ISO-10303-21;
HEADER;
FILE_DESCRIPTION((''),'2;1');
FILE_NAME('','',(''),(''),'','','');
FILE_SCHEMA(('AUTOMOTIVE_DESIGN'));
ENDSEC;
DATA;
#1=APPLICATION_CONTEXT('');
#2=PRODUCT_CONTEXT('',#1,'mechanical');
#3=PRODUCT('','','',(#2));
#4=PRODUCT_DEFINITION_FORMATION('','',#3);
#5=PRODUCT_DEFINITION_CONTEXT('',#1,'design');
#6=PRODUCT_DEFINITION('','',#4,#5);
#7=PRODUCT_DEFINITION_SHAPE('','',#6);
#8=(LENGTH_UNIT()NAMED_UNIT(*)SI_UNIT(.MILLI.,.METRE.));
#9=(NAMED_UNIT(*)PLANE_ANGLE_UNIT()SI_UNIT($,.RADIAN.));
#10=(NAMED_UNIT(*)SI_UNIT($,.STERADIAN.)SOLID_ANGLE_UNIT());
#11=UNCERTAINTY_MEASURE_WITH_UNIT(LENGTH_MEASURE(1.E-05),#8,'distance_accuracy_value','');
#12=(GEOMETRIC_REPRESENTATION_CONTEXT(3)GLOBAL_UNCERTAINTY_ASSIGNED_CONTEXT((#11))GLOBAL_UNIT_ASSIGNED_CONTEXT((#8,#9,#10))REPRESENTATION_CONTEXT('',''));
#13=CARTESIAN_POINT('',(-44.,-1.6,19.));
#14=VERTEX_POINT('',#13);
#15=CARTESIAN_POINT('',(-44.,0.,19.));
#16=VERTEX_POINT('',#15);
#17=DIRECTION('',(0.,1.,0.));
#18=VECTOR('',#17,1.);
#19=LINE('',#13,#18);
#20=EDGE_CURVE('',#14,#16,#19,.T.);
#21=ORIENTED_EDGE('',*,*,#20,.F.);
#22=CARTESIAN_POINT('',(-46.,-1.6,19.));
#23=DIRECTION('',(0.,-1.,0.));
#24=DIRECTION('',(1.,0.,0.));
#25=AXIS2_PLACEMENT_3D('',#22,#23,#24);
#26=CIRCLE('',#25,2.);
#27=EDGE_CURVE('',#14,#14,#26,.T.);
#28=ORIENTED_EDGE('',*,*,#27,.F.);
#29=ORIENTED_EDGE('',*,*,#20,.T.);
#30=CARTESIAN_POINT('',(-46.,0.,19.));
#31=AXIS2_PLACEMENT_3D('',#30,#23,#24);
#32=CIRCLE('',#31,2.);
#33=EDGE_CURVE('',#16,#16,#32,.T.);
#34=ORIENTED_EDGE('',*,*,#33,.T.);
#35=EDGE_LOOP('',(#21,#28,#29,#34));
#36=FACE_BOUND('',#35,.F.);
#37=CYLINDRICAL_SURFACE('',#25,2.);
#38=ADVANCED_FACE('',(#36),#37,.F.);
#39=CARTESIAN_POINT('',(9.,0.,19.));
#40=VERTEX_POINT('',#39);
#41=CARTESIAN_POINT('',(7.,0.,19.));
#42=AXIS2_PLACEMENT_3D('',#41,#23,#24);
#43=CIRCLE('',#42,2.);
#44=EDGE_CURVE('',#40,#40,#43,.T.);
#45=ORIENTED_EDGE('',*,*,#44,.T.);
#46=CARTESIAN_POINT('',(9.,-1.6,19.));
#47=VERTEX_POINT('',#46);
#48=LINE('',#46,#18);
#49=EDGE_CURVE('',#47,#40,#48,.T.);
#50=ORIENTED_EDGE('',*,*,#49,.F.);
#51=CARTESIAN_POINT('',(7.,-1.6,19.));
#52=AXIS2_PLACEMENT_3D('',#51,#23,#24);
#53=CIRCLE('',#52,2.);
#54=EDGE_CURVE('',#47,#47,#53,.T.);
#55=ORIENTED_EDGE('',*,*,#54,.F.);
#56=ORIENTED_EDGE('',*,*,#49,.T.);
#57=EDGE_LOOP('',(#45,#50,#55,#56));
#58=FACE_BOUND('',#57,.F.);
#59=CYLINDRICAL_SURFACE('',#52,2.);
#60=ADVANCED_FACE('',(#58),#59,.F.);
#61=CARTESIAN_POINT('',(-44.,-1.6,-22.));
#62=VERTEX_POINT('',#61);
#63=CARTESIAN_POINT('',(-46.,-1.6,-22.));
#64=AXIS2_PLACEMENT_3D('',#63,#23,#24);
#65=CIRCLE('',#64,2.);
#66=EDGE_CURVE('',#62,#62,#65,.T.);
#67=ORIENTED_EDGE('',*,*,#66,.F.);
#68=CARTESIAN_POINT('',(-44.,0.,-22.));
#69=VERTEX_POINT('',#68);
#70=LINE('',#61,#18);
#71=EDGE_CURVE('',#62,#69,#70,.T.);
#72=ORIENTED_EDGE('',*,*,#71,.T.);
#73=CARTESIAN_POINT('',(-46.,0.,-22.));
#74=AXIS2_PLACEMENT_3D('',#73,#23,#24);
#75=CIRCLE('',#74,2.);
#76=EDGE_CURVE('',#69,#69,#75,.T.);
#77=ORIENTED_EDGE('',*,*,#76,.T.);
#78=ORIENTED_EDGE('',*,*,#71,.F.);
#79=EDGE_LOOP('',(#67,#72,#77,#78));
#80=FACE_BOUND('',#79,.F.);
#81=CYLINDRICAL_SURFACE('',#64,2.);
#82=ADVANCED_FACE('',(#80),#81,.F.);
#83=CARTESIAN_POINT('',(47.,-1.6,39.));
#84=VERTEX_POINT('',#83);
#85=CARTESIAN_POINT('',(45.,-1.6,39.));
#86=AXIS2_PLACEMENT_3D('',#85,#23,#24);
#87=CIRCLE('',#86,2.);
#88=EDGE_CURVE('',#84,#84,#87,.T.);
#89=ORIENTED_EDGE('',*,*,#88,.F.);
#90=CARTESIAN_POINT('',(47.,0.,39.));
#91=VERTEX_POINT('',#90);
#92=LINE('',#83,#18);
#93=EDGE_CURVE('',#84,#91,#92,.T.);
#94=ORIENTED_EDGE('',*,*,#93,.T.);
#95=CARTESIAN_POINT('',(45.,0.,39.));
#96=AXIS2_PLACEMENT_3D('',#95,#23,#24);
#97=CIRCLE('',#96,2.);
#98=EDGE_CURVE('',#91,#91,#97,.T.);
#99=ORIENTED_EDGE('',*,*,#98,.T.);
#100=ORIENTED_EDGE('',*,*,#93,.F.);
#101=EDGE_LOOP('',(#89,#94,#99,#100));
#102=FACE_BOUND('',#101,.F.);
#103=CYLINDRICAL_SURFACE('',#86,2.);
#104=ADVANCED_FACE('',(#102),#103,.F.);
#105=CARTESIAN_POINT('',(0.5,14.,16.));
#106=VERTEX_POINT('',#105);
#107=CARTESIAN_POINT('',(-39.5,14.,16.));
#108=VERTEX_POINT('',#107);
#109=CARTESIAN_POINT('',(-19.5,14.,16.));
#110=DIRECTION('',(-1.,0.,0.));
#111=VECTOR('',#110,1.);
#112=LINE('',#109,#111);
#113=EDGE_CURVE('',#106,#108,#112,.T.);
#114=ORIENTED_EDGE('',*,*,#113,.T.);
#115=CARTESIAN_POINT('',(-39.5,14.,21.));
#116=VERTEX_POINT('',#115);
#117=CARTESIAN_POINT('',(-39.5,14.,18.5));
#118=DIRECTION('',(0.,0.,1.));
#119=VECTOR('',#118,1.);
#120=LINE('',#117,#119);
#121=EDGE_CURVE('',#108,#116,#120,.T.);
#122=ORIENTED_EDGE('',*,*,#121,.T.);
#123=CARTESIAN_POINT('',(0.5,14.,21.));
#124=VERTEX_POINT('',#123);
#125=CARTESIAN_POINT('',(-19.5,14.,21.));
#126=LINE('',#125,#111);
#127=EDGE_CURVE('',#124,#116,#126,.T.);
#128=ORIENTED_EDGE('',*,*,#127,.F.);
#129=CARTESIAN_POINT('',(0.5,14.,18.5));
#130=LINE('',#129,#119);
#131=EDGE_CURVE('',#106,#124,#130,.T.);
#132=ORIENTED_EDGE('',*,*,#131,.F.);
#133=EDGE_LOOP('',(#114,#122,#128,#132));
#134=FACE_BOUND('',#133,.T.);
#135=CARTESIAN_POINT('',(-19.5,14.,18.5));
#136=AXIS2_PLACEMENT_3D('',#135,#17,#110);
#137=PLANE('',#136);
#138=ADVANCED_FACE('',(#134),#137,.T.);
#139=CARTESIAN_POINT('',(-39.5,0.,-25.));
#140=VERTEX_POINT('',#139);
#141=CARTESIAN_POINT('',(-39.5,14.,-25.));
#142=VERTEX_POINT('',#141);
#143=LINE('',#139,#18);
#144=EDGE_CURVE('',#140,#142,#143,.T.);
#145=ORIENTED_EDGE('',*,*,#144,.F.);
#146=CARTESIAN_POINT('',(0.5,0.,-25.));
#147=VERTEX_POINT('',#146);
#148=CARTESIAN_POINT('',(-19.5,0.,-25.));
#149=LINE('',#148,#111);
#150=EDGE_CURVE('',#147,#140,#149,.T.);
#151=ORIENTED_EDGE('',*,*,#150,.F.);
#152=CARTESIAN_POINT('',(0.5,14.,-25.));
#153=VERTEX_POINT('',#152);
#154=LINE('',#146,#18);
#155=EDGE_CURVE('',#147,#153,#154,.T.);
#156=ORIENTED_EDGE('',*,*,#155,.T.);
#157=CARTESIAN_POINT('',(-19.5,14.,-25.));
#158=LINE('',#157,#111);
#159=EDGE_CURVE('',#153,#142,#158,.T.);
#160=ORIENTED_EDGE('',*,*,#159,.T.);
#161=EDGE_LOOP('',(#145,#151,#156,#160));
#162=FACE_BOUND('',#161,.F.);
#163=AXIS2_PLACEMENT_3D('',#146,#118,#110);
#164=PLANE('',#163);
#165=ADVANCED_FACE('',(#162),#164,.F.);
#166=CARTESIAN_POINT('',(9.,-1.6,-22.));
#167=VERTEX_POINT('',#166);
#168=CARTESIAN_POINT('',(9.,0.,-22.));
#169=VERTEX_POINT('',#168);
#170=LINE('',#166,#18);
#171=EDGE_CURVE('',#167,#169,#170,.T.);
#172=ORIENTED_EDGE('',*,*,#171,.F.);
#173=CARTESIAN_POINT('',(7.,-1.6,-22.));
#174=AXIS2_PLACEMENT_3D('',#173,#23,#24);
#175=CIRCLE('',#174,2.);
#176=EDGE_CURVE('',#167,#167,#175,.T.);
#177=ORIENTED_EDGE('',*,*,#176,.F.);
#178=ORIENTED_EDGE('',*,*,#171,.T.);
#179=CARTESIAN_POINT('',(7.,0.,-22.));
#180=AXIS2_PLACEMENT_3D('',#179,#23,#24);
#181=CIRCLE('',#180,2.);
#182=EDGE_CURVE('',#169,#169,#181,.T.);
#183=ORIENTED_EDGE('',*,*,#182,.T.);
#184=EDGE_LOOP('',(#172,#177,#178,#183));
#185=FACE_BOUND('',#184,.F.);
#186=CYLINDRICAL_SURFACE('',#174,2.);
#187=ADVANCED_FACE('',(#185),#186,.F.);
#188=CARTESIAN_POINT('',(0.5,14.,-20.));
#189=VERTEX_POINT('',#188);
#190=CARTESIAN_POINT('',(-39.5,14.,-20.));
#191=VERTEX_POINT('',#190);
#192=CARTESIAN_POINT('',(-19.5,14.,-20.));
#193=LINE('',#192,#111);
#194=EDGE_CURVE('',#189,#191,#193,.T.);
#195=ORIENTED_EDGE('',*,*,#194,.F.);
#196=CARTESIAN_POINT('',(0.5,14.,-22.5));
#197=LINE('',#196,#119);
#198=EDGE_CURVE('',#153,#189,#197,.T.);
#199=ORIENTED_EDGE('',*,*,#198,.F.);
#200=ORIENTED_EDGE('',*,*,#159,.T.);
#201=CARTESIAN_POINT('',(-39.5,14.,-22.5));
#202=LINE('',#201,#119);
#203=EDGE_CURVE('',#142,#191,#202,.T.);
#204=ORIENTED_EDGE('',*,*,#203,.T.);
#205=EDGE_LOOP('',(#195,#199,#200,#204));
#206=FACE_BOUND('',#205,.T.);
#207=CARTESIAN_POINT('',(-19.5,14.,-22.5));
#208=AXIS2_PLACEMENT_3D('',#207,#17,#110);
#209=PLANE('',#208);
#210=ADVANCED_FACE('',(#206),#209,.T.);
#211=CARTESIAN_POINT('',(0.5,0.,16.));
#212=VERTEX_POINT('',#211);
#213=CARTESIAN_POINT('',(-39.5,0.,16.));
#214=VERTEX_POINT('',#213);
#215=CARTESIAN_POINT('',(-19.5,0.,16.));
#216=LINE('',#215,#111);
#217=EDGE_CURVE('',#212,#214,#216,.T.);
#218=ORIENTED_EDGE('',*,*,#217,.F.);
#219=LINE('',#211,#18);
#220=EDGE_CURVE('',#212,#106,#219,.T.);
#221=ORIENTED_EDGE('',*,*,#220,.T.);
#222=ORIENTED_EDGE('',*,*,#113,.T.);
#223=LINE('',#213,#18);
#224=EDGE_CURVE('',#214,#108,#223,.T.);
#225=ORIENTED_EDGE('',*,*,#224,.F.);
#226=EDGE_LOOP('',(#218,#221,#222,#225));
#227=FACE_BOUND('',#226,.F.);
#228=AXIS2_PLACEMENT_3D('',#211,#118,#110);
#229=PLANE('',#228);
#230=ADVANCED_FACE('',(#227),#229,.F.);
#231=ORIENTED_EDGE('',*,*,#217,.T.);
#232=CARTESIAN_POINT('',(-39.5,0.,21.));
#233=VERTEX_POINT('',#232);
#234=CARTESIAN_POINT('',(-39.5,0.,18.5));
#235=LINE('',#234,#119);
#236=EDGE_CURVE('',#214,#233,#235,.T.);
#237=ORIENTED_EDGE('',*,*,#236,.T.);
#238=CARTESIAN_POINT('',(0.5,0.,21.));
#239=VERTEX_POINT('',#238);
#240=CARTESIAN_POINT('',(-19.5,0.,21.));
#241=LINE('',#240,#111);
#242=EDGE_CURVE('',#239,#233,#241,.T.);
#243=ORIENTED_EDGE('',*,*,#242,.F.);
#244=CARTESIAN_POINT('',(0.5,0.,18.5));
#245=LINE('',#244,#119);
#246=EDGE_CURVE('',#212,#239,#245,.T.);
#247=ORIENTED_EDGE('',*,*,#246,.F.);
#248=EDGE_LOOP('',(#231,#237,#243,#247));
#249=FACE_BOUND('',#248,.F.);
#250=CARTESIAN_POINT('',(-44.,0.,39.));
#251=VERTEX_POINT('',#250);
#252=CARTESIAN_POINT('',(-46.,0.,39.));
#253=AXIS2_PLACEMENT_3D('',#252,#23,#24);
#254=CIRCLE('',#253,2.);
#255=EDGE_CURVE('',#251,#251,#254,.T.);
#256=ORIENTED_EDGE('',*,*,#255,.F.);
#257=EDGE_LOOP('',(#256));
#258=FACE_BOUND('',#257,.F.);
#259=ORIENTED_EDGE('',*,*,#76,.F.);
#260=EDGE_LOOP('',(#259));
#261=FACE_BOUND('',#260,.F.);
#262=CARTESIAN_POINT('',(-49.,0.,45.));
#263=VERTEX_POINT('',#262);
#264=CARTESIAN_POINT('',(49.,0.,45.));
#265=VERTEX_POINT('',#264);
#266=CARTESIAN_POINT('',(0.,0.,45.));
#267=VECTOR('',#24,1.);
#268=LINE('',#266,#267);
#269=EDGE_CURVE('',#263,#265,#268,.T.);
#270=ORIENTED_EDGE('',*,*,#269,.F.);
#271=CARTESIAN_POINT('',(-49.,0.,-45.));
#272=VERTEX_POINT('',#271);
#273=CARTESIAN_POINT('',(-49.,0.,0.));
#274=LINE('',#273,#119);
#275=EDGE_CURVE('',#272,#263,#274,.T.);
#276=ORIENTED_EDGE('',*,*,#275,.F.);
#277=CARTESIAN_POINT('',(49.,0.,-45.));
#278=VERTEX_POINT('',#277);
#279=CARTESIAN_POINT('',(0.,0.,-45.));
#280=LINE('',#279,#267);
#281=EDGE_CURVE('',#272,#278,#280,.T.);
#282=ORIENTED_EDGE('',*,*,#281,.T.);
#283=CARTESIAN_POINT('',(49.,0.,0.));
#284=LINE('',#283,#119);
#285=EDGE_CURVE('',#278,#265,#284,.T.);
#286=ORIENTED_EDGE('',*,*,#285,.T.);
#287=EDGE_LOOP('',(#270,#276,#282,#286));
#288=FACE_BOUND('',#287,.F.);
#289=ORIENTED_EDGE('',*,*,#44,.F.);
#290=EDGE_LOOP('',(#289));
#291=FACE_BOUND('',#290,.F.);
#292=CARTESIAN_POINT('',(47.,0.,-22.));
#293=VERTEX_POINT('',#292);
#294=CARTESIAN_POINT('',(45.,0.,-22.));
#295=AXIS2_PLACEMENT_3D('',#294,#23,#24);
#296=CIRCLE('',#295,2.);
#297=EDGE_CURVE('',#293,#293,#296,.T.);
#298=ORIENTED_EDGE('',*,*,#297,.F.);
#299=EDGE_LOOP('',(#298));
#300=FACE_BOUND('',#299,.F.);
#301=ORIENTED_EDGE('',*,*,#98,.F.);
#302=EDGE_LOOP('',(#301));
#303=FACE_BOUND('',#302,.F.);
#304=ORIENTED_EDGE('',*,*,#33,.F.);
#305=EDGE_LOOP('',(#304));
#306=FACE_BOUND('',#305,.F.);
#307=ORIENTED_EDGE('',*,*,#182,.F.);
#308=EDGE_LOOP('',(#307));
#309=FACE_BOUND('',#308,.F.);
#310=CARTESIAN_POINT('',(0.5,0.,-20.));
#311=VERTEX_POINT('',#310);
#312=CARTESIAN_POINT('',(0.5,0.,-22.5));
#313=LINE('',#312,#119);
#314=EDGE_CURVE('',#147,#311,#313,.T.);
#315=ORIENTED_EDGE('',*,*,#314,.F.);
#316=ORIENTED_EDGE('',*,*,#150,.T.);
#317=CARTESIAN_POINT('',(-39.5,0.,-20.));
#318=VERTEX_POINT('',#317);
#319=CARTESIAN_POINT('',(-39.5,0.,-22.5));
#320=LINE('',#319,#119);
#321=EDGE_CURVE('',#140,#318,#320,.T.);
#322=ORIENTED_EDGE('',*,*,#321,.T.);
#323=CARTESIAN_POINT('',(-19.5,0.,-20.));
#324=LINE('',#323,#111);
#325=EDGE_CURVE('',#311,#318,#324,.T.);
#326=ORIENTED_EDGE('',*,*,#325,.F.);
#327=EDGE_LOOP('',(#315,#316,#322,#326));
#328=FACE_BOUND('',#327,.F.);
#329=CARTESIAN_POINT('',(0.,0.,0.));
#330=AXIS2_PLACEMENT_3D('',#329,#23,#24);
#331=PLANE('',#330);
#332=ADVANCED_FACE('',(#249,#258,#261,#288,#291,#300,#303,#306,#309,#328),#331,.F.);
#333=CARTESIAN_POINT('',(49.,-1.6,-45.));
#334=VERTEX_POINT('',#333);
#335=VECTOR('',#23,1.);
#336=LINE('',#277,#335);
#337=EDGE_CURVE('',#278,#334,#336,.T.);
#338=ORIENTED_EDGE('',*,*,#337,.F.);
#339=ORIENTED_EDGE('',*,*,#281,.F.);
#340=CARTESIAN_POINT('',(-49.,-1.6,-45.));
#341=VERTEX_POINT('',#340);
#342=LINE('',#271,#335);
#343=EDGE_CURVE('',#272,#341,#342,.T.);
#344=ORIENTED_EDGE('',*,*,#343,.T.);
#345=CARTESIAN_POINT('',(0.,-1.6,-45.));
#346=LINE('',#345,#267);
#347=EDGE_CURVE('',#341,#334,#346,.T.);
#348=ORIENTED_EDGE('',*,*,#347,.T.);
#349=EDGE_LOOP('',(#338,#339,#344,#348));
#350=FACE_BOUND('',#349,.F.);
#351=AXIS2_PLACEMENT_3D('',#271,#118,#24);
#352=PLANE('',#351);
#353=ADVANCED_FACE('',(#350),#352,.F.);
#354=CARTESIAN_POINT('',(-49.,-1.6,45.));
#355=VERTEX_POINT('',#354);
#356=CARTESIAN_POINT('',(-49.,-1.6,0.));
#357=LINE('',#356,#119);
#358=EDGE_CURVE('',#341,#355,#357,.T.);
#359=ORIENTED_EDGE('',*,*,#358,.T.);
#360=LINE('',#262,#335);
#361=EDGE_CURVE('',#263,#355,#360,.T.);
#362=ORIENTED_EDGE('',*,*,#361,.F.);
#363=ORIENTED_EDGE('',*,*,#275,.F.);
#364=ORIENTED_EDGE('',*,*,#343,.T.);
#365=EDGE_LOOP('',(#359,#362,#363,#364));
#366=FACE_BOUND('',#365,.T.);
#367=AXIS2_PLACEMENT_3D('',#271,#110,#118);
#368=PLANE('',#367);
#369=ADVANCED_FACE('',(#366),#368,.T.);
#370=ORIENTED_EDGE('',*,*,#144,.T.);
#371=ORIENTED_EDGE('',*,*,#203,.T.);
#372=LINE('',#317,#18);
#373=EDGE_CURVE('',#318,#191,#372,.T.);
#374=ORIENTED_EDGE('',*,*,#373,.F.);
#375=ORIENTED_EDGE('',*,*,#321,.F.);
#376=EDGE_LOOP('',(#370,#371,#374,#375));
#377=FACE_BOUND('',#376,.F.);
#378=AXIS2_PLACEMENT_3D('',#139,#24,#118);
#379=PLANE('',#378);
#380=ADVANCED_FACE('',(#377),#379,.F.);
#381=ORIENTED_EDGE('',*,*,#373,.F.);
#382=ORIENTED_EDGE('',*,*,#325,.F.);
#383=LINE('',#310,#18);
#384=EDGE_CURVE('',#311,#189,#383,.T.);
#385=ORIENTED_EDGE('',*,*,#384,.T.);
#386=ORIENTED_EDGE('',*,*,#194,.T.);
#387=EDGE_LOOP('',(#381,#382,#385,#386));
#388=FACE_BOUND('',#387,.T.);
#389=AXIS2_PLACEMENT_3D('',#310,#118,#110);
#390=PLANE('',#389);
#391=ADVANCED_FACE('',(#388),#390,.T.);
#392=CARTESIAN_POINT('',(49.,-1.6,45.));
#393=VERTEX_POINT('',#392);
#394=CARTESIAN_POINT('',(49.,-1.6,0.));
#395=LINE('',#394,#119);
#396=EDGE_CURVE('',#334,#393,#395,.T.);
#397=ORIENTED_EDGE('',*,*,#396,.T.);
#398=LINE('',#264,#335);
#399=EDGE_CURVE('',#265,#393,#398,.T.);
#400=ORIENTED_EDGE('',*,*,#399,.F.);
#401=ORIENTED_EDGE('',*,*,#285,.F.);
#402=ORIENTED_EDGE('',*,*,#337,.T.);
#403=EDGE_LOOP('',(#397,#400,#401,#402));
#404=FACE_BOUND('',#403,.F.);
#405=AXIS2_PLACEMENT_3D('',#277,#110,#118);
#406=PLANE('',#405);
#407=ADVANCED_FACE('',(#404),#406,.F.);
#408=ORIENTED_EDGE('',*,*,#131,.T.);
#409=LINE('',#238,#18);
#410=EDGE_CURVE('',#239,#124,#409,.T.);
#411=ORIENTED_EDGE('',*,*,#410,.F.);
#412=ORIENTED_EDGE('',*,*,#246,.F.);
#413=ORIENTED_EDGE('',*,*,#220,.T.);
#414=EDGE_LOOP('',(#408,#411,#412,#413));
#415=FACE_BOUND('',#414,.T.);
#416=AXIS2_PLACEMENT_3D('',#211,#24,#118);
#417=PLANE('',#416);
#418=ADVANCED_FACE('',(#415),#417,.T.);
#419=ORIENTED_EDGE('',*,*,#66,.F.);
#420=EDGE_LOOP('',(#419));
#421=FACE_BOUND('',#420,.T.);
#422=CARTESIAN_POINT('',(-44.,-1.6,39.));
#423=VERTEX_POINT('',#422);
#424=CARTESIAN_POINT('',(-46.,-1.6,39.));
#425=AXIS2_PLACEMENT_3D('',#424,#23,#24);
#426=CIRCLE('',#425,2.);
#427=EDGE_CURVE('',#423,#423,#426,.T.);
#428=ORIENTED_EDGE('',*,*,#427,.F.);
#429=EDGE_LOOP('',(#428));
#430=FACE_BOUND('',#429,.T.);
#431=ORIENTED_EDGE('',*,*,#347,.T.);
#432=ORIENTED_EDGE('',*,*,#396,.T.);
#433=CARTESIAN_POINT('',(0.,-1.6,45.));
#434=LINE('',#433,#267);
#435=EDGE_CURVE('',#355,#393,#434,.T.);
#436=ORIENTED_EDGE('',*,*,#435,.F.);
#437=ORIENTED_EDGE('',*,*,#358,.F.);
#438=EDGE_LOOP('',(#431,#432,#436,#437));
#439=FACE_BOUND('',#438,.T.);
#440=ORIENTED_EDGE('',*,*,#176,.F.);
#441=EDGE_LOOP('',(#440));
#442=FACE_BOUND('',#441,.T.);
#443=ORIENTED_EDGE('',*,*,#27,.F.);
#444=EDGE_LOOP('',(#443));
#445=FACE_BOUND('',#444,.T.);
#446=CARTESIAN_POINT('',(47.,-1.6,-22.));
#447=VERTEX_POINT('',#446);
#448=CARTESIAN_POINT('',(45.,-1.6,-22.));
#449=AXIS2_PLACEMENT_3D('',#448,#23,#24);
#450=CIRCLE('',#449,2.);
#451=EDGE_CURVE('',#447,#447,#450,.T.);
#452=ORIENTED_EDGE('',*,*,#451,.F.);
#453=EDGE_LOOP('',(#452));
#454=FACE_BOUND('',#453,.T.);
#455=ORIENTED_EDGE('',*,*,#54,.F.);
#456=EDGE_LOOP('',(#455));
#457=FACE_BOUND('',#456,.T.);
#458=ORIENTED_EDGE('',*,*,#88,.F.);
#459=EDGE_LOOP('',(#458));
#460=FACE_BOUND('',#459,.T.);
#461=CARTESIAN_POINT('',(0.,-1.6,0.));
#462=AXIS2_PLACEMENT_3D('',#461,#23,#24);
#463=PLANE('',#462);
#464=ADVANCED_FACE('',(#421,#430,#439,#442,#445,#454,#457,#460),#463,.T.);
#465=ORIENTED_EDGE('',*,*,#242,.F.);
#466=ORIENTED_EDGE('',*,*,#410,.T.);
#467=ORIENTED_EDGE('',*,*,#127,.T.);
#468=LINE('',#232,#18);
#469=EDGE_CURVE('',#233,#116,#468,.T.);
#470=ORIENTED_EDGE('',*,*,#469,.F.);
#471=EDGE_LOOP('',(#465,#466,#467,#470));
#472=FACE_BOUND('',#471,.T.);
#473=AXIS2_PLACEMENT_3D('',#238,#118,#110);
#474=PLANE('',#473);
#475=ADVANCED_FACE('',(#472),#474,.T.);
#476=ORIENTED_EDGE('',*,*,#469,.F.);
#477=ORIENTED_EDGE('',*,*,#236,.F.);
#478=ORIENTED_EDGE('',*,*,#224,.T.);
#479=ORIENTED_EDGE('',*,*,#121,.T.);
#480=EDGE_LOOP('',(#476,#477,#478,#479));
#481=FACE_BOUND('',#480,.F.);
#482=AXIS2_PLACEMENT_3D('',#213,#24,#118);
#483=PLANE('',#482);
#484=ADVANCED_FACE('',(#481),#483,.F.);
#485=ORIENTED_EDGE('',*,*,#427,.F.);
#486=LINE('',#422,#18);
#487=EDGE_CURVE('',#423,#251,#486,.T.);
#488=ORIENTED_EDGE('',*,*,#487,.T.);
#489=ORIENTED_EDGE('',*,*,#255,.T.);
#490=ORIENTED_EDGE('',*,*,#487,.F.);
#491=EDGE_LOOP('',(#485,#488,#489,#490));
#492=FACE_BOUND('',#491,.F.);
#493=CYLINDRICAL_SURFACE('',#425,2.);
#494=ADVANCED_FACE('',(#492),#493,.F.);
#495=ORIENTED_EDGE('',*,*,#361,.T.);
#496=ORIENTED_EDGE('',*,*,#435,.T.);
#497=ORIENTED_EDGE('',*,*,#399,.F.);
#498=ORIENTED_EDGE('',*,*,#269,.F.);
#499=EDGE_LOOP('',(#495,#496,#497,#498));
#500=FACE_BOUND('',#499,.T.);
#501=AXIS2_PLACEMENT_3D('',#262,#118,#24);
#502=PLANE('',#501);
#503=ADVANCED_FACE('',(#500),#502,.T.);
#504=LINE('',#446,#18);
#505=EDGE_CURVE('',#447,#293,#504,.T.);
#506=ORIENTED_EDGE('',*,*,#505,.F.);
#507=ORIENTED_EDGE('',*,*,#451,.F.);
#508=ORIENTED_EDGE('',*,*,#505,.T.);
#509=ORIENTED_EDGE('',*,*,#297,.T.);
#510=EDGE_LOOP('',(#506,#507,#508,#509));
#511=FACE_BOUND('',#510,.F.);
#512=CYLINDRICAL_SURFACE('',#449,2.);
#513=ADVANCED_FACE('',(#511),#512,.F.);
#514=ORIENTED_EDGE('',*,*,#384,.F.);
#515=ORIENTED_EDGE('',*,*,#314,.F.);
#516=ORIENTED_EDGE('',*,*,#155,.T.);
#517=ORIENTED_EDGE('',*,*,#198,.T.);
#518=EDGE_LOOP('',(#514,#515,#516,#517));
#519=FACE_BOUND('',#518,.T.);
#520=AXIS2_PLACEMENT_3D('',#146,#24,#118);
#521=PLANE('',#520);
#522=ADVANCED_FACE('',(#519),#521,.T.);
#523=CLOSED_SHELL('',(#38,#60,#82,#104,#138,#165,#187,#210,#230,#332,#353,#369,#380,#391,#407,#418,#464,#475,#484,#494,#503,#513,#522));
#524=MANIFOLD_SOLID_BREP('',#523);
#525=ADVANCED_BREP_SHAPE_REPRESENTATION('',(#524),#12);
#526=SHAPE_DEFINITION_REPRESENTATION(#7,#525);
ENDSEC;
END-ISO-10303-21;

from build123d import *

# Parameters (mm, degrees)
F0_W     = 98
F0_H     = 90
F1_DEPTH = 1.6
F2_R     = 2
F3_DEPTH = 25
F4_W     = 40
F4_H     = 5
F5_DEPTH = 14


with BuildPart() as f1:
    # F0 (on Front) → F1 (new body)
    with BuildSketch(Plane.XZ):
        Rectangle(F0_W, F0_H)
    extrude(amount=F1_DEPTH)

    # F2 (on face) → F3 (cut)
    with BuildSketch(Plane.XZ.offset(1.6)):
        with Locations((-46, 39)):
            Circle(F2_R)
        with Locations((-46, 19)):
            Circle(F2_R)
        with Locations((7, 19)):
            Circle(F2_R)
        with Locations((45, 39)):
            Circle(F2_R)
        with Locations((-46, -22)):
            Circle(F2_R)
        with Locations((7, -22)):
            Circle(F2_R)
        with Locations((45, -22)):
            Circle(F2_R)
    extrude(amount=-F3_DEPTH, mode=Mode.SUBTRACT)

    # F4 (on face) → F5 (join)
    with BuildSketch(Plane(origin=(0, 0, 0), x_dir=(-1, 0, 0), z_dir=(0, 1, 0))):
        with Locations((19.5, 18.5)):
            Rectangle(F4_W, F4_H)
        with Locations((19.5, -22.5)):
            Rectangle(F4_W, F4_H)
    extrude(amount=F5_DEPTH)


solid = f1.part
